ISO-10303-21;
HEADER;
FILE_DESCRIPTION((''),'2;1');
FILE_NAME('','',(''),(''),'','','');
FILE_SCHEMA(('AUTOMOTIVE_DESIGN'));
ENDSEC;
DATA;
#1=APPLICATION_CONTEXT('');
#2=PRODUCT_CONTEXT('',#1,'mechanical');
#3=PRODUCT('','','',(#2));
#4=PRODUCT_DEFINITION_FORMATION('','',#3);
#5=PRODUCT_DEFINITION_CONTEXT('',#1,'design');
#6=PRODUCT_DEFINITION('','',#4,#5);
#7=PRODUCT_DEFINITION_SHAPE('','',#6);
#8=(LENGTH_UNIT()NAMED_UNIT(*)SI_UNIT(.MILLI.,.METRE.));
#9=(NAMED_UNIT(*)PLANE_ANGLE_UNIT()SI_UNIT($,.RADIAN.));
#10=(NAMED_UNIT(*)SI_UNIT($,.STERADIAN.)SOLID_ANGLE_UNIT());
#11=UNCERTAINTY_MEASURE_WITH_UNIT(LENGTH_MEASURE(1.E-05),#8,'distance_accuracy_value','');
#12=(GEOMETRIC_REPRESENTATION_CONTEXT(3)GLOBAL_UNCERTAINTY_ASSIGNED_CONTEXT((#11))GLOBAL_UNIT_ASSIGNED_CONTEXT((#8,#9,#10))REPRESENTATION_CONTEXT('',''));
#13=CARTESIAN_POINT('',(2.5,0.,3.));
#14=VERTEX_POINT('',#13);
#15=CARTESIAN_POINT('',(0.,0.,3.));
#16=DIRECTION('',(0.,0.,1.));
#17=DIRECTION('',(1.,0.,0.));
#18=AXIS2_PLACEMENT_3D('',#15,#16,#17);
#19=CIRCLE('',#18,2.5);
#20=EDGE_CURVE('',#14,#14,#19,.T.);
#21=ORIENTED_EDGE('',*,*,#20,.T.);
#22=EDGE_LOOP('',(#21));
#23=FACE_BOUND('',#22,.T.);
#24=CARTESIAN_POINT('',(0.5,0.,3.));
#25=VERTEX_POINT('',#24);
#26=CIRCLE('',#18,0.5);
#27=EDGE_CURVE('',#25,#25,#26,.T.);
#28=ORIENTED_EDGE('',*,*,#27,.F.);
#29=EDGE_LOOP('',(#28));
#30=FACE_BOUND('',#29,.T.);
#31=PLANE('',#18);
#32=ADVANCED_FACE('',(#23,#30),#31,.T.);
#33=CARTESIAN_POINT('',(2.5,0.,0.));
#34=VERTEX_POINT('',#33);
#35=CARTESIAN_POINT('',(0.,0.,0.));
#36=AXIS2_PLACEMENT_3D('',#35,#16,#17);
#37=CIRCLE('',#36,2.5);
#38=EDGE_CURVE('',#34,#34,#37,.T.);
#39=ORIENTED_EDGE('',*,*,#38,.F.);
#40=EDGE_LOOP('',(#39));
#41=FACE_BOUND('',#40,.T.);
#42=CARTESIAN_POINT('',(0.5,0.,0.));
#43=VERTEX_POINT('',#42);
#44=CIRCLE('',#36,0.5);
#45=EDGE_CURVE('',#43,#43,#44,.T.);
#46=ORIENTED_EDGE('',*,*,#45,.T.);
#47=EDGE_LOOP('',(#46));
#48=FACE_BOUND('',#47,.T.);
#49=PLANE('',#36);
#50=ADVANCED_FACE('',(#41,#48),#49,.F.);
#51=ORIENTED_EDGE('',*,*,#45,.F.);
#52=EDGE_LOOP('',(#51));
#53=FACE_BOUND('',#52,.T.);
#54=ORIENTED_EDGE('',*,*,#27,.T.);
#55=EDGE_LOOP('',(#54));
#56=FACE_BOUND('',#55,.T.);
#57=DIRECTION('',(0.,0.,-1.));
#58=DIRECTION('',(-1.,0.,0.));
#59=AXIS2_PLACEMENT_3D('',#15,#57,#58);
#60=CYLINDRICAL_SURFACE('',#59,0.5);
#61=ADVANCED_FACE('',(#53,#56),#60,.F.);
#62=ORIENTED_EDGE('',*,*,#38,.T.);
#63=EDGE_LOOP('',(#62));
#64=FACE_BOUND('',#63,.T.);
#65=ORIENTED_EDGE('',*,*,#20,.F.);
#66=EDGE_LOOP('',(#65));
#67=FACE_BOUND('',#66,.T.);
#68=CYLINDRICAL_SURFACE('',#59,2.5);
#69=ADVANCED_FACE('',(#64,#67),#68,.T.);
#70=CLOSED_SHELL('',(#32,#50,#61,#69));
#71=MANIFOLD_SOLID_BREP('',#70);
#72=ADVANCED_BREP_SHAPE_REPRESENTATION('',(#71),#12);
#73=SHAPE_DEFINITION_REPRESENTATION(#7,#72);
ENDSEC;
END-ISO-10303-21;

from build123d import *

# Parameters (mm, degrees)
ESQUISSE1_R          = 2.5
ESQUISSE1_R_2        = 0.5
BASE_EXTRUSION_DEPTH = 3


with BuildPart() as part:
    # Esquisse1 → Base-Extrusion (new body)
    with BuildSketch(Plane.XY):
        Circle(ESQUISSE1_R)
        Circle(ESQUISSE1_R_2, mode=Mode.SUBTRACT)
    extrude(amount=BASE_EXTRUSION_DEPTH)


solid = part.part
